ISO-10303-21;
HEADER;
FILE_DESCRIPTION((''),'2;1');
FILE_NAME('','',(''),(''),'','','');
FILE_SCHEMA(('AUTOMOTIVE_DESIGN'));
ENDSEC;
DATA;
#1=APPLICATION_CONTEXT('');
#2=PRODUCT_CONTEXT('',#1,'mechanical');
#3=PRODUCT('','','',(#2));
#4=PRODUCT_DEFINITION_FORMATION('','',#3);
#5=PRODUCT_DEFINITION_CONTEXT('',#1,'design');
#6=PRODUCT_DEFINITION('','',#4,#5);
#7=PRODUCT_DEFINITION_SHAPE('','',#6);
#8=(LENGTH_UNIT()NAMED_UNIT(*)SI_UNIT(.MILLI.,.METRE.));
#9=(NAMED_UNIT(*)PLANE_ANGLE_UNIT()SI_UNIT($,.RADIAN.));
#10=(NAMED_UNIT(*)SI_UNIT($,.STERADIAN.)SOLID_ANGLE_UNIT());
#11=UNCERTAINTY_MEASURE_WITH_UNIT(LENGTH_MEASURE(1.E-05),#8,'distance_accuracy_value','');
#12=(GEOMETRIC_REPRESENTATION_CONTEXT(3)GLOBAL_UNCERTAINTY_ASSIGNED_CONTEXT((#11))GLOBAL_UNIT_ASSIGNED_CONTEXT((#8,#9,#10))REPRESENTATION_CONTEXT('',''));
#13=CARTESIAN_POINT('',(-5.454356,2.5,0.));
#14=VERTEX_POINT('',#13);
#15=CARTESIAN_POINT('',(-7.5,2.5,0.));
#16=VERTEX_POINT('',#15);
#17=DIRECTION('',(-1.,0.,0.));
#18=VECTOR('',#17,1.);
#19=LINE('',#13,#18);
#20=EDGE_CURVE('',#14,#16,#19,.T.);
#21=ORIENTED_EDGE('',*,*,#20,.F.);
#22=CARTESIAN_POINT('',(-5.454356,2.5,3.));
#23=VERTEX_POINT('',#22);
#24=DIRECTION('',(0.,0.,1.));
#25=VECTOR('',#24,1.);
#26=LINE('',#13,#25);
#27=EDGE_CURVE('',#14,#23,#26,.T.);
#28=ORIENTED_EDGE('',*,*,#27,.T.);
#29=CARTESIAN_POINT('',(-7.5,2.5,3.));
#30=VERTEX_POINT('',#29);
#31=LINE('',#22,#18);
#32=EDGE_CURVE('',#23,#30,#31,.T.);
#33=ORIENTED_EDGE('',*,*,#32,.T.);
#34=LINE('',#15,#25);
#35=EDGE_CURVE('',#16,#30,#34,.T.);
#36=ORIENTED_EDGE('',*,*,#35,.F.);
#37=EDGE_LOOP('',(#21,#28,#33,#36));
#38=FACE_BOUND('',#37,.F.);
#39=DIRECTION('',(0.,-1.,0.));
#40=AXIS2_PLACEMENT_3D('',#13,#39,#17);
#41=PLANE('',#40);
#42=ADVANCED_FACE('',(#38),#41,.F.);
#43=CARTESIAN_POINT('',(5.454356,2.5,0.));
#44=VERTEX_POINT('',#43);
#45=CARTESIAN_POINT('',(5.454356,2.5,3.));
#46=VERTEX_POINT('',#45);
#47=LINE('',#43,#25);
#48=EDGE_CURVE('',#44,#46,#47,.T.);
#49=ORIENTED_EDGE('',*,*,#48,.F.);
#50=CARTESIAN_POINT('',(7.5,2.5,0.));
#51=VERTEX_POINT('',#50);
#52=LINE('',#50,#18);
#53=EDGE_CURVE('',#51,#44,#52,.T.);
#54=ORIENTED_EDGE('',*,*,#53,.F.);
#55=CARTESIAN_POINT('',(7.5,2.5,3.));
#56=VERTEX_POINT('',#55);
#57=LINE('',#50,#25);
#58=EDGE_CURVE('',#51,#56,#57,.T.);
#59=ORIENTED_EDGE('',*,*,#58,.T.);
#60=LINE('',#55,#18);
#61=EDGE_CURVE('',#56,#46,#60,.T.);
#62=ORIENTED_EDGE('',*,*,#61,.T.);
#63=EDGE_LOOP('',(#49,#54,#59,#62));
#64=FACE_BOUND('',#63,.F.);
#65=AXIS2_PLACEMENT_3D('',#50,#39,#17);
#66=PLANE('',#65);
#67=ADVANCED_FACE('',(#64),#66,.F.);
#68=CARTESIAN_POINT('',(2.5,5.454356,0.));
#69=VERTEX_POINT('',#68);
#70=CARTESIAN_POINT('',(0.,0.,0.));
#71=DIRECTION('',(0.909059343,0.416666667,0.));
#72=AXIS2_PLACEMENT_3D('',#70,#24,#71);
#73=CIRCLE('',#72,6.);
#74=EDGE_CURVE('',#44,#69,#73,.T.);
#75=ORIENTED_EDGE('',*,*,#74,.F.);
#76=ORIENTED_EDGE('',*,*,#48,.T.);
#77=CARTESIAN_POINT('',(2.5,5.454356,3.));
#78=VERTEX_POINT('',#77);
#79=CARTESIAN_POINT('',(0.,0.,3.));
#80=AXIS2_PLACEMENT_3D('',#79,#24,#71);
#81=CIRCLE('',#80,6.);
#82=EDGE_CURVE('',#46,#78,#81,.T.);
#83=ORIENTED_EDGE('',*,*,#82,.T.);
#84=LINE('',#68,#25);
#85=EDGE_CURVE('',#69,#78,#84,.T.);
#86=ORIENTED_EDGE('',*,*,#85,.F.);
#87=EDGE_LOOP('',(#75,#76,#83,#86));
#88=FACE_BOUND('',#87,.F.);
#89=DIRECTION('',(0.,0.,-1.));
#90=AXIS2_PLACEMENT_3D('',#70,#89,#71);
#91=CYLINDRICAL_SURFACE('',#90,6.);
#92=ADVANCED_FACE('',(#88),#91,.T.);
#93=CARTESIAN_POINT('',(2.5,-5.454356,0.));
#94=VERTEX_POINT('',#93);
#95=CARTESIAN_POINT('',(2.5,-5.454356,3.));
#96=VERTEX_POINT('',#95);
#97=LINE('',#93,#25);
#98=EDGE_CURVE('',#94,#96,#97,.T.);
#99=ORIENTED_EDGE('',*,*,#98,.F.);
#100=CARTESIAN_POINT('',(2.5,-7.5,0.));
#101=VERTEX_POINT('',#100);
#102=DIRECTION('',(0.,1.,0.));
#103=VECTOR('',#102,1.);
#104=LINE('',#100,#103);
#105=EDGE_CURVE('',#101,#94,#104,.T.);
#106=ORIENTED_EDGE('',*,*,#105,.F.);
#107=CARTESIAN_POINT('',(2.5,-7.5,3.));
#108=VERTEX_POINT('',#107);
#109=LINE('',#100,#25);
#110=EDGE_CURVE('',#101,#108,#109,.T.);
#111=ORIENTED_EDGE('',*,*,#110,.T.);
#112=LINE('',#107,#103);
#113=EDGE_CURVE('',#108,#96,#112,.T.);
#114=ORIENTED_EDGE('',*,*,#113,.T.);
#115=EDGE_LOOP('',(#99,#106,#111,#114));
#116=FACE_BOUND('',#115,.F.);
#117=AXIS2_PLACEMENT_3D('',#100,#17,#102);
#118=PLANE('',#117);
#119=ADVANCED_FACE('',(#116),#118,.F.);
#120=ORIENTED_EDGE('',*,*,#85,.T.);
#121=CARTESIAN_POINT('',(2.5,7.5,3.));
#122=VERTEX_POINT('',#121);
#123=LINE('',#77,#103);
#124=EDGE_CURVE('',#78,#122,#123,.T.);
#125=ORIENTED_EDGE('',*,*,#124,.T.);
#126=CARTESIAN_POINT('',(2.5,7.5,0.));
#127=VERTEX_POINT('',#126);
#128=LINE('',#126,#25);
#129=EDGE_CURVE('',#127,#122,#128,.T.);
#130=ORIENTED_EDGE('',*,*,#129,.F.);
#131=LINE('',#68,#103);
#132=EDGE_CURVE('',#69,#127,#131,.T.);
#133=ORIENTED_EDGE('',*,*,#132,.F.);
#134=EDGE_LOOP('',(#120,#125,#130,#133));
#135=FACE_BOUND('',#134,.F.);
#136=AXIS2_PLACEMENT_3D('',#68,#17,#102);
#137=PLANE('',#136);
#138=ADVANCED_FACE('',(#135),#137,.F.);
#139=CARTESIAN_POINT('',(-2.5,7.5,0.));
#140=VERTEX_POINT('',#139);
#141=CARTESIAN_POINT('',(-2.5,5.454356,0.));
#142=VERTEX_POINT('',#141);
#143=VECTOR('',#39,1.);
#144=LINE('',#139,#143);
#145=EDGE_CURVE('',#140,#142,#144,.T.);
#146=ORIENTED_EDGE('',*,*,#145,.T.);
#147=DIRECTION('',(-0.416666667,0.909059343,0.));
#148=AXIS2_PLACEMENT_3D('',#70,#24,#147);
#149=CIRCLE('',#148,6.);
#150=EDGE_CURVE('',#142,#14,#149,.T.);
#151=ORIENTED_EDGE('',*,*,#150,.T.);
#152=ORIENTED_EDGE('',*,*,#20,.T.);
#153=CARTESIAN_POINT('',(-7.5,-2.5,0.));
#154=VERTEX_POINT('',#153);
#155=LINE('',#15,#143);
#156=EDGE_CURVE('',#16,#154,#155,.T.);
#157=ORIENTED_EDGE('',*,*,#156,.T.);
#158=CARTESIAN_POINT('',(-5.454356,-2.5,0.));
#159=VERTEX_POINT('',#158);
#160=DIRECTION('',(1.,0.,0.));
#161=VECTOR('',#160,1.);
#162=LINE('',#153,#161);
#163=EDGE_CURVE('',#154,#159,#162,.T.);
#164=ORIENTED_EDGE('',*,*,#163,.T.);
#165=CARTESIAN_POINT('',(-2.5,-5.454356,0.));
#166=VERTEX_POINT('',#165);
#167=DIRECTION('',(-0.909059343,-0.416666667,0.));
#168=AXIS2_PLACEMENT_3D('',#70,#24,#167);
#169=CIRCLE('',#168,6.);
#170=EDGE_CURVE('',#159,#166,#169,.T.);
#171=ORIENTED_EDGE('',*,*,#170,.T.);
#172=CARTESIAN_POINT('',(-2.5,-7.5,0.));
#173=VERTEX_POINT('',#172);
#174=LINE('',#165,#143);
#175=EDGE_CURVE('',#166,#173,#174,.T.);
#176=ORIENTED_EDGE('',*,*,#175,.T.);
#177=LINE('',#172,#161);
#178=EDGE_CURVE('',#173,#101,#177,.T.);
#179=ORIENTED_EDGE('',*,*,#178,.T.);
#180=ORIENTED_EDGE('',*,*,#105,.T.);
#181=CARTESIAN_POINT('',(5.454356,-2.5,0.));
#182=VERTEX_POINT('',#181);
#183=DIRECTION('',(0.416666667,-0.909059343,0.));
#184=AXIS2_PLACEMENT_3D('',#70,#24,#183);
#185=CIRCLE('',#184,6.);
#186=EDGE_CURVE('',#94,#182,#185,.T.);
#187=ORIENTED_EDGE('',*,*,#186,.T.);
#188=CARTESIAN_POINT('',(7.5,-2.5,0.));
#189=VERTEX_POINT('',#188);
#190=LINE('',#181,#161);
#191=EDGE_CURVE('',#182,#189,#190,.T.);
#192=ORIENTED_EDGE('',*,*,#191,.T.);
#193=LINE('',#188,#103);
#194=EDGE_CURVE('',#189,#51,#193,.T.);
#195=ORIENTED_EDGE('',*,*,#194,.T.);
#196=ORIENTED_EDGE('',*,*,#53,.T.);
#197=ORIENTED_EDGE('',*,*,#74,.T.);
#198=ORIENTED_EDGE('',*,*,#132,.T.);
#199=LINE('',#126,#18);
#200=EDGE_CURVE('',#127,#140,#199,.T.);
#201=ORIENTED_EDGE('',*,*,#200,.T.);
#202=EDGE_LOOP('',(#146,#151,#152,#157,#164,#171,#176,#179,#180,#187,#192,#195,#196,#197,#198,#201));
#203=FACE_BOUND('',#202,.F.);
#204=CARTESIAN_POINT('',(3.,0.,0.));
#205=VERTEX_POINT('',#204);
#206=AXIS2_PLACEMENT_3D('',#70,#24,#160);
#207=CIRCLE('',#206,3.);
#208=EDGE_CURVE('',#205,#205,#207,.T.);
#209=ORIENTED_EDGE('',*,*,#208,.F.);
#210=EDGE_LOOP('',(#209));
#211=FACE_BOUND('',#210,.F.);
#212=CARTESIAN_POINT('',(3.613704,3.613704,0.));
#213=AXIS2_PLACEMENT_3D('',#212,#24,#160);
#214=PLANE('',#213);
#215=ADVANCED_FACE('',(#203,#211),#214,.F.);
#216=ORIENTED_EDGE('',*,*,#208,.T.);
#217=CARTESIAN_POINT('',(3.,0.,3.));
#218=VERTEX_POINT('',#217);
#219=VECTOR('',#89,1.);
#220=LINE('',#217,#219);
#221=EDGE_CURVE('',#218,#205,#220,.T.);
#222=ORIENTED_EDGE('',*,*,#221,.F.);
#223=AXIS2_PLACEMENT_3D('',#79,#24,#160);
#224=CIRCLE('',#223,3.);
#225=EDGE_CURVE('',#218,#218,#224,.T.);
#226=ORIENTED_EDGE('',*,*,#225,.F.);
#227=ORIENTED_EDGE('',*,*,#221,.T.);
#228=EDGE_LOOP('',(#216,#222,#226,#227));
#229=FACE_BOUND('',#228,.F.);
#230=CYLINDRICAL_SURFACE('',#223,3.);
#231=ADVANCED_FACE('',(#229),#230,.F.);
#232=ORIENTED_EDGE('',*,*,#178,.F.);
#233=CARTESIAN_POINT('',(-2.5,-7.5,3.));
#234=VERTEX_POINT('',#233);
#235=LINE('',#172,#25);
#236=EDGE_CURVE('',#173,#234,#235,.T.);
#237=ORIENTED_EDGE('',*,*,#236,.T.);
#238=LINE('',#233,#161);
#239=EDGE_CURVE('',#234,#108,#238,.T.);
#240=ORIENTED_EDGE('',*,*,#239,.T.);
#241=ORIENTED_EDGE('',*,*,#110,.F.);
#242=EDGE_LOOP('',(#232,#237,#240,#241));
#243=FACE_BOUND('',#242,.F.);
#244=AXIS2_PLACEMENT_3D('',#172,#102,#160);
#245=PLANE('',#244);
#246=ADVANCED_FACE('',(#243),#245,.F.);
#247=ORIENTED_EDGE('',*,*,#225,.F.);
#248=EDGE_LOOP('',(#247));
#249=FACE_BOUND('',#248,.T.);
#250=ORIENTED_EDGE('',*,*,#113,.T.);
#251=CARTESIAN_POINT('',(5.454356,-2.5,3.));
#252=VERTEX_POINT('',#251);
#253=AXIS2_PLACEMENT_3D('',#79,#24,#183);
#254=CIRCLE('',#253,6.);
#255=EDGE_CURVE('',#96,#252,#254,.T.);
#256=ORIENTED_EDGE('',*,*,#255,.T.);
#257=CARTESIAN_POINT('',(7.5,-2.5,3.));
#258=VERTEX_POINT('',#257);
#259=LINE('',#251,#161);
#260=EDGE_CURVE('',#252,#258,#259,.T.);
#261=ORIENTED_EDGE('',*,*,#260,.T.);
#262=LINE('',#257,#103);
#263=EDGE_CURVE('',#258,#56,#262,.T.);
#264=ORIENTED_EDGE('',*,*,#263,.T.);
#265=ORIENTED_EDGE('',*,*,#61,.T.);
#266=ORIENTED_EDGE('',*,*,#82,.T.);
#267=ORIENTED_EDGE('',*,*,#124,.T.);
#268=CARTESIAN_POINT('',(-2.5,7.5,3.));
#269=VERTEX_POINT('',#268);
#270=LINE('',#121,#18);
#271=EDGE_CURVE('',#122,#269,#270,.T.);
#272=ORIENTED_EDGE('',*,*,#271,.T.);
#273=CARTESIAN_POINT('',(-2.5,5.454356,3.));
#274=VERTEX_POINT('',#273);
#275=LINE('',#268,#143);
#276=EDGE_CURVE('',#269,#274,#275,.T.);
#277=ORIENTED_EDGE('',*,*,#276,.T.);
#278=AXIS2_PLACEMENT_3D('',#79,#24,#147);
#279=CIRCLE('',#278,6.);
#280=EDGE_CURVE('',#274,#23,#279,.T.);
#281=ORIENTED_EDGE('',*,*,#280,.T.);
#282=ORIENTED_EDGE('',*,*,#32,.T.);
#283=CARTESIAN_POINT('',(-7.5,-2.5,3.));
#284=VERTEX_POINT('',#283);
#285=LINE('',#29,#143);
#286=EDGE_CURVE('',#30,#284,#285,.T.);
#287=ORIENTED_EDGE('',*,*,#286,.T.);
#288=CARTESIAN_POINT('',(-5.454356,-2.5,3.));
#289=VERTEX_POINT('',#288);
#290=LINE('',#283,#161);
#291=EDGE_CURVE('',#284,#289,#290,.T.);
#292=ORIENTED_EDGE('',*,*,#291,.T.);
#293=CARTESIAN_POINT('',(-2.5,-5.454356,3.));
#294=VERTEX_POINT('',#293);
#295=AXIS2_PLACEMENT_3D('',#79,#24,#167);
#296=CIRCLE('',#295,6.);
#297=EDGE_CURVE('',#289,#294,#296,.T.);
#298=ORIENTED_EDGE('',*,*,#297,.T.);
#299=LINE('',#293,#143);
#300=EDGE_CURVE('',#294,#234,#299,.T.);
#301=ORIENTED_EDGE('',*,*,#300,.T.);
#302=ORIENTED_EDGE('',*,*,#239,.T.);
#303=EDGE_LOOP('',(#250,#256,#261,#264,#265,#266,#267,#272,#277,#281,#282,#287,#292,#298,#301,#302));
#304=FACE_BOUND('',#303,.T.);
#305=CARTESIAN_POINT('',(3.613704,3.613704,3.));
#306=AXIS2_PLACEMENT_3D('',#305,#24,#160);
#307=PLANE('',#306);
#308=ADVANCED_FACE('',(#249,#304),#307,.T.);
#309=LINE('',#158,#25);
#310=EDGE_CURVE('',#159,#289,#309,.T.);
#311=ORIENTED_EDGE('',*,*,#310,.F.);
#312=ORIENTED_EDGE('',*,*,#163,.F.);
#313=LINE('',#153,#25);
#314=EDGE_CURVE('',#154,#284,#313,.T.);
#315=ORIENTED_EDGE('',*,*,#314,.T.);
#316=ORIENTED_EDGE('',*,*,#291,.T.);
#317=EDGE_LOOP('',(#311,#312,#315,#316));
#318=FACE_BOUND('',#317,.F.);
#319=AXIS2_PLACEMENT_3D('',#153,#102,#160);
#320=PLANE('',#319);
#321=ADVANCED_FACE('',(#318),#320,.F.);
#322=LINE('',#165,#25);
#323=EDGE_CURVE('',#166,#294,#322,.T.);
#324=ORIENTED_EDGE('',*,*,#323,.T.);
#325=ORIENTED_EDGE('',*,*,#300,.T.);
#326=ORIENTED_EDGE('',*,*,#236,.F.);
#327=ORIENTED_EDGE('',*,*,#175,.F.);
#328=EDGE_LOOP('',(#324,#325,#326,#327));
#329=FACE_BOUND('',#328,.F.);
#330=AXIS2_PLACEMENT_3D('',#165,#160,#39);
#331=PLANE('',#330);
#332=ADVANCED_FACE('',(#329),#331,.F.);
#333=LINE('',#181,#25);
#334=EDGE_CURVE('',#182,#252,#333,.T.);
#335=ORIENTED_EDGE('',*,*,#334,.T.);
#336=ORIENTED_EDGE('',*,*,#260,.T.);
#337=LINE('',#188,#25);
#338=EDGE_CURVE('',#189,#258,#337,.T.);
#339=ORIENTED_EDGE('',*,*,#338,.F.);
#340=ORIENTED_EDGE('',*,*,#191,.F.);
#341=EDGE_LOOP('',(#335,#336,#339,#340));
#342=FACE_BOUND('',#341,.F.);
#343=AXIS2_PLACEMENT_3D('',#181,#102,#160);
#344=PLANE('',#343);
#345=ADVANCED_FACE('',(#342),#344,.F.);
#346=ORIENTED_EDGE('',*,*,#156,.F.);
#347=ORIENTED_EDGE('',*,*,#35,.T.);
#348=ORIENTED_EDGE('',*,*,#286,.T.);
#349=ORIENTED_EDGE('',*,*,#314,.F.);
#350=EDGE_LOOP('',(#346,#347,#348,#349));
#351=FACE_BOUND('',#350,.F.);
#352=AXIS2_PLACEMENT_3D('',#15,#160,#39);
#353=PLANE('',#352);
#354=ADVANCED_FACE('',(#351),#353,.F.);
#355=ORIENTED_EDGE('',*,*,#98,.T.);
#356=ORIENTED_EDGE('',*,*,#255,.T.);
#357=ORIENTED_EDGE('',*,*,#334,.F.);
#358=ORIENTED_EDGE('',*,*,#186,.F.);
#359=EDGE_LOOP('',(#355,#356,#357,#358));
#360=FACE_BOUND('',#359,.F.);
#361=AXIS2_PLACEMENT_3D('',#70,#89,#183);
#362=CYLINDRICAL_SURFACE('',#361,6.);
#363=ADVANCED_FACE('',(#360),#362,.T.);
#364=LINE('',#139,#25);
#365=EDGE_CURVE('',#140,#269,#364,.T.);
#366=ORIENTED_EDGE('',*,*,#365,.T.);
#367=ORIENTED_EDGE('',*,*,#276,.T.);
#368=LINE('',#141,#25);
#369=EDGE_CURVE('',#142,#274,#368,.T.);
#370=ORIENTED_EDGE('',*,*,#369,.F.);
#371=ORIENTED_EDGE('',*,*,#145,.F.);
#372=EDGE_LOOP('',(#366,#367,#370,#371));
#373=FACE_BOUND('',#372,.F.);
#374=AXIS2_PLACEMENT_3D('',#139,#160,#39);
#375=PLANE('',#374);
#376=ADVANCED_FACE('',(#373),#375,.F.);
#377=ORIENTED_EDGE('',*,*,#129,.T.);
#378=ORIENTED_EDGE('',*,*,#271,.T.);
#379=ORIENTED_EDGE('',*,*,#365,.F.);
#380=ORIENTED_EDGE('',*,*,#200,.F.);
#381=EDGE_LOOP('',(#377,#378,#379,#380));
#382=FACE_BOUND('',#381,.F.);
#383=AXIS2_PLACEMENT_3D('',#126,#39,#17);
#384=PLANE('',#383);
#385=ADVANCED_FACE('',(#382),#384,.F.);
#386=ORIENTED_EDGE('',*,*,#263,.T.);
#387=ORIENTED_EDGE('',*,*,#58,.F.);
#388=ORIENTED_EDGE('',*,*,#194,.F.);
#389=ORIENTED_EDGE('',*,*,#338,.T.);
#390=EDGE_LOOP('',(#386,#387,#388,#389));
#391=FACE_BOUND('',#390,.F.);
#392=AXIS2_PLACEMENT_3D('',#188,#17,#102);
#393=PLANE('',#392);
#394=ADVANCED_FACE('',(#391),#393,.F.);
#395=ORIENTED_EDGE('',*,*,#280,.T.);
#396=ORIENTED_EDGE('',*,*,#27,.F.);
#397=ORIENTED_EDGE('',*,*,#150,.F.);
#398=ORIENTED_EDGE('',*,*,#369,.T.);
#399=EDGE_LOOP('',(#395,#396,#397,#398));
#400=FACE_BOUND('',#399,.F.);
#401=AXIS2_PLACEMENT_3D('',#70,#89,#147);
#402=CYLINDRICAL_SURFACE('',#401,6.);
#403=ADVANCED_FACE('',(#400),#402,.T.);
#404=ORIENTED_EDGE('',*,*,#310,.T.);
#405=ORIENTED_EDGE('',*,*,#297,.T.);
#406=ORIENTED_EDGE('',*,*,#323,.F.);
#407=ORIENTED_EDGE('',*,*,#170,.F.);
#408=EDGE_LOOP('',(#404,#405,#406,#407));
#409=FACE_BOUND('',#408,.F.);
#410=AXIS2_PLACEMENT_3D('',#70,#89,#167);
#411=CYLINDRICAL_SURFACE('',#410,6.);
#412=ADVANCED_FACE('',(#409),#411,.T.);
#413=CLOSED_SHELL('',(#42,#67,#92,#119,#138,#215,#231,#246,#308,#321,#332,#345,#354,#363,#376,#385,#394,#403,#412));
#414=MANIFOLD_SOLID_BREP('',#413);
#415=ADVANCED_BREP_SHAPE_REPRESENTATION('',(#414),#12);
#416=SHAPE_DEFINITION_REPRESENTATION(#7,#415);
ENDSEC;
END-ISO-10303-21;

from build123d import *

# Parameters (mm, degrees)
F0_W     = 5
F0_H     = 5
F1_DEPTH = 3
F2_R     = 3
F3_DEPTH = 25


with BuildPart() as f1:
    # F0 (on Top) → F1 (new body)
    with BuildSketch(Plane.XY):
        with BuildLine():
            Line((2.5, 2.5), (5.4543560573, 2.5))
            ThreePointArc((5.4543560573, 2.5), (4.2426406871, 4.2426406871), (2.5, 5.4543560573))
            Line((2.5, 5.4543560573), (2.5, 2.5))
        make_face()
        with BuildLine():
            Line((2.5, -7.5), (2.5, -5.4543560573))
            ThreePointArc((2.5, -5.4543560573), (0, -6), (-2.5, -5.4543560573))
            Line((-2.5, -5.4543560573), (-2.5, -7.5))
            Line((-2.5, -7.5), (2.5, -7.5))
        make_face()
        with BuildLine():
            ThreePointArc((-5.4543560573, -2.5), (-4.2426406871, -4.2426406871), (-2.5, -5.4543560573))
            Line((-2.5, -5.4543560573), (-2.5, -2.5))
            Line((-2.5, -2.5), (-5.4543560573, -2.5))
        make_face()
        with BuildLine():
            ThreePointArc((-5.4543560573, -2.5), (-6, 0), (-5.4543560573, 2.5))
            Line((-5.4543560573, 2.5), (-7.5, 2.5))
            Line((-7.5, 2.5), (-7.5, -2.5))
            Line((-7.5, -2.5), (-5.4543560573, -2.5))
        make_face()
        with BuildLine():
            ThreePointArc((2.5, -5.4543560573), (4.2426406871, -4.2426406871), (5.4543560573, -2.5))
            Line((5.4543560573, -2.5), (2.5, -2.5))
            Line((2.5, -2.5), (2.5, -5.4543560573))
        make_face()
        with BuildLine():
            Line((-2.5, 2.5), (-2.5, 5.4543560573))
            ThreePointArc((-2.5, 5.4543560573), (-4.2426406871, 4.2426406871), (-5.4543560573, 2.5))
            Line((-5.4543560573, 2.5), (-2.5, 2.5))
        make_face()
        with BuildLine():
            ThreePointArc((5.4543560573, -2.5), (5.8620020617, -1.2794263668), (6, 0))
            ThreePointArc((6, 0), (5.8620020617, 1.2794263668), (5.4543560573, 2.5))
            Line((5.4543560573, 2.5), (2.5, 2.5))
            Line((2.5, 2.5), (2.5, -2.5))
            Line((2.5, -2.5), (5.4543560573, -2.5))
        make_face()
        Rectangle(F0_W, F0_H)
        with BuildLine():
            Line((-2.5, -2.5), (-2.5, 2.5))
            Line((-2.5, 2.5), (-5.4543560573, 2.5))
            ThreePointArc((-5.4543560573, 2.5), (-6, 0), (-5.4543560573, -2.5))
            Line((-5.4543560573, -2.5), (-2.5, -2.5))
        make_face()
        with BuildLine():
            Line((2.5, 2.5), (2.5, 5.4543560573))
            ThreePointArc((2.5, 5.4543560573), (0, 6), (-2.5, 5.4543560573))
            Line((-2.5, 5.4543560573), (-2.5, 2.5))
            Line((-2.5, 2.5), (2.5, 2.5))
        make_face()
        with BuildLine():
            ThreePointArc((-2.5, 5.4543560573), (0, 6), (2.5, 5.4543560573))
            Line((2.5, 5.4543560573), (2.5, 7.5))
            Line((2.5, 7.5), (-2.5, 7.5))
            Line((-2.5, 7.5), (-2.5, 5.4543560573))
        make_face()
        with BuildLine():
            ThreePointArc((5.4543560573, 2.5), (5.8620020617, 1.2794263668), (6, 0))
            ThreePointArc((6, 0), (5.8620020617, -1.2794263668), (5.4543560573, -2.5))
            Line((5.4543560573, -2.5), (7.5, -2.5))
            Line((7.5, -2.5), (7.5, 2.5))
            Line((7.5, 2.5), (5.4543560573, 2.5))
        make_face()
        with BuildLine():
            ThreePointArc((-2.5, -5.4543560573), (0, -6), (2.5, -5.4543560573))
            Line((2.5, -5.4543560573), (2.5, -2.5))
            Line((2.5, -2.5), (-2.5, -2.5))
            Line((-2.5, -2.5), (-2.5, -5.4543560573))
        make_face()
    extrude(amount=F1_DEPTH)

    # F2 (on face) → F3 (cut)
    with BuildSketch(Plane.XY.offset(3)):
        Circle(F2_R)
    extrude(amount=-F3_DEPTH, mode=Mode.SUBTRACT)


solid = f1.part
